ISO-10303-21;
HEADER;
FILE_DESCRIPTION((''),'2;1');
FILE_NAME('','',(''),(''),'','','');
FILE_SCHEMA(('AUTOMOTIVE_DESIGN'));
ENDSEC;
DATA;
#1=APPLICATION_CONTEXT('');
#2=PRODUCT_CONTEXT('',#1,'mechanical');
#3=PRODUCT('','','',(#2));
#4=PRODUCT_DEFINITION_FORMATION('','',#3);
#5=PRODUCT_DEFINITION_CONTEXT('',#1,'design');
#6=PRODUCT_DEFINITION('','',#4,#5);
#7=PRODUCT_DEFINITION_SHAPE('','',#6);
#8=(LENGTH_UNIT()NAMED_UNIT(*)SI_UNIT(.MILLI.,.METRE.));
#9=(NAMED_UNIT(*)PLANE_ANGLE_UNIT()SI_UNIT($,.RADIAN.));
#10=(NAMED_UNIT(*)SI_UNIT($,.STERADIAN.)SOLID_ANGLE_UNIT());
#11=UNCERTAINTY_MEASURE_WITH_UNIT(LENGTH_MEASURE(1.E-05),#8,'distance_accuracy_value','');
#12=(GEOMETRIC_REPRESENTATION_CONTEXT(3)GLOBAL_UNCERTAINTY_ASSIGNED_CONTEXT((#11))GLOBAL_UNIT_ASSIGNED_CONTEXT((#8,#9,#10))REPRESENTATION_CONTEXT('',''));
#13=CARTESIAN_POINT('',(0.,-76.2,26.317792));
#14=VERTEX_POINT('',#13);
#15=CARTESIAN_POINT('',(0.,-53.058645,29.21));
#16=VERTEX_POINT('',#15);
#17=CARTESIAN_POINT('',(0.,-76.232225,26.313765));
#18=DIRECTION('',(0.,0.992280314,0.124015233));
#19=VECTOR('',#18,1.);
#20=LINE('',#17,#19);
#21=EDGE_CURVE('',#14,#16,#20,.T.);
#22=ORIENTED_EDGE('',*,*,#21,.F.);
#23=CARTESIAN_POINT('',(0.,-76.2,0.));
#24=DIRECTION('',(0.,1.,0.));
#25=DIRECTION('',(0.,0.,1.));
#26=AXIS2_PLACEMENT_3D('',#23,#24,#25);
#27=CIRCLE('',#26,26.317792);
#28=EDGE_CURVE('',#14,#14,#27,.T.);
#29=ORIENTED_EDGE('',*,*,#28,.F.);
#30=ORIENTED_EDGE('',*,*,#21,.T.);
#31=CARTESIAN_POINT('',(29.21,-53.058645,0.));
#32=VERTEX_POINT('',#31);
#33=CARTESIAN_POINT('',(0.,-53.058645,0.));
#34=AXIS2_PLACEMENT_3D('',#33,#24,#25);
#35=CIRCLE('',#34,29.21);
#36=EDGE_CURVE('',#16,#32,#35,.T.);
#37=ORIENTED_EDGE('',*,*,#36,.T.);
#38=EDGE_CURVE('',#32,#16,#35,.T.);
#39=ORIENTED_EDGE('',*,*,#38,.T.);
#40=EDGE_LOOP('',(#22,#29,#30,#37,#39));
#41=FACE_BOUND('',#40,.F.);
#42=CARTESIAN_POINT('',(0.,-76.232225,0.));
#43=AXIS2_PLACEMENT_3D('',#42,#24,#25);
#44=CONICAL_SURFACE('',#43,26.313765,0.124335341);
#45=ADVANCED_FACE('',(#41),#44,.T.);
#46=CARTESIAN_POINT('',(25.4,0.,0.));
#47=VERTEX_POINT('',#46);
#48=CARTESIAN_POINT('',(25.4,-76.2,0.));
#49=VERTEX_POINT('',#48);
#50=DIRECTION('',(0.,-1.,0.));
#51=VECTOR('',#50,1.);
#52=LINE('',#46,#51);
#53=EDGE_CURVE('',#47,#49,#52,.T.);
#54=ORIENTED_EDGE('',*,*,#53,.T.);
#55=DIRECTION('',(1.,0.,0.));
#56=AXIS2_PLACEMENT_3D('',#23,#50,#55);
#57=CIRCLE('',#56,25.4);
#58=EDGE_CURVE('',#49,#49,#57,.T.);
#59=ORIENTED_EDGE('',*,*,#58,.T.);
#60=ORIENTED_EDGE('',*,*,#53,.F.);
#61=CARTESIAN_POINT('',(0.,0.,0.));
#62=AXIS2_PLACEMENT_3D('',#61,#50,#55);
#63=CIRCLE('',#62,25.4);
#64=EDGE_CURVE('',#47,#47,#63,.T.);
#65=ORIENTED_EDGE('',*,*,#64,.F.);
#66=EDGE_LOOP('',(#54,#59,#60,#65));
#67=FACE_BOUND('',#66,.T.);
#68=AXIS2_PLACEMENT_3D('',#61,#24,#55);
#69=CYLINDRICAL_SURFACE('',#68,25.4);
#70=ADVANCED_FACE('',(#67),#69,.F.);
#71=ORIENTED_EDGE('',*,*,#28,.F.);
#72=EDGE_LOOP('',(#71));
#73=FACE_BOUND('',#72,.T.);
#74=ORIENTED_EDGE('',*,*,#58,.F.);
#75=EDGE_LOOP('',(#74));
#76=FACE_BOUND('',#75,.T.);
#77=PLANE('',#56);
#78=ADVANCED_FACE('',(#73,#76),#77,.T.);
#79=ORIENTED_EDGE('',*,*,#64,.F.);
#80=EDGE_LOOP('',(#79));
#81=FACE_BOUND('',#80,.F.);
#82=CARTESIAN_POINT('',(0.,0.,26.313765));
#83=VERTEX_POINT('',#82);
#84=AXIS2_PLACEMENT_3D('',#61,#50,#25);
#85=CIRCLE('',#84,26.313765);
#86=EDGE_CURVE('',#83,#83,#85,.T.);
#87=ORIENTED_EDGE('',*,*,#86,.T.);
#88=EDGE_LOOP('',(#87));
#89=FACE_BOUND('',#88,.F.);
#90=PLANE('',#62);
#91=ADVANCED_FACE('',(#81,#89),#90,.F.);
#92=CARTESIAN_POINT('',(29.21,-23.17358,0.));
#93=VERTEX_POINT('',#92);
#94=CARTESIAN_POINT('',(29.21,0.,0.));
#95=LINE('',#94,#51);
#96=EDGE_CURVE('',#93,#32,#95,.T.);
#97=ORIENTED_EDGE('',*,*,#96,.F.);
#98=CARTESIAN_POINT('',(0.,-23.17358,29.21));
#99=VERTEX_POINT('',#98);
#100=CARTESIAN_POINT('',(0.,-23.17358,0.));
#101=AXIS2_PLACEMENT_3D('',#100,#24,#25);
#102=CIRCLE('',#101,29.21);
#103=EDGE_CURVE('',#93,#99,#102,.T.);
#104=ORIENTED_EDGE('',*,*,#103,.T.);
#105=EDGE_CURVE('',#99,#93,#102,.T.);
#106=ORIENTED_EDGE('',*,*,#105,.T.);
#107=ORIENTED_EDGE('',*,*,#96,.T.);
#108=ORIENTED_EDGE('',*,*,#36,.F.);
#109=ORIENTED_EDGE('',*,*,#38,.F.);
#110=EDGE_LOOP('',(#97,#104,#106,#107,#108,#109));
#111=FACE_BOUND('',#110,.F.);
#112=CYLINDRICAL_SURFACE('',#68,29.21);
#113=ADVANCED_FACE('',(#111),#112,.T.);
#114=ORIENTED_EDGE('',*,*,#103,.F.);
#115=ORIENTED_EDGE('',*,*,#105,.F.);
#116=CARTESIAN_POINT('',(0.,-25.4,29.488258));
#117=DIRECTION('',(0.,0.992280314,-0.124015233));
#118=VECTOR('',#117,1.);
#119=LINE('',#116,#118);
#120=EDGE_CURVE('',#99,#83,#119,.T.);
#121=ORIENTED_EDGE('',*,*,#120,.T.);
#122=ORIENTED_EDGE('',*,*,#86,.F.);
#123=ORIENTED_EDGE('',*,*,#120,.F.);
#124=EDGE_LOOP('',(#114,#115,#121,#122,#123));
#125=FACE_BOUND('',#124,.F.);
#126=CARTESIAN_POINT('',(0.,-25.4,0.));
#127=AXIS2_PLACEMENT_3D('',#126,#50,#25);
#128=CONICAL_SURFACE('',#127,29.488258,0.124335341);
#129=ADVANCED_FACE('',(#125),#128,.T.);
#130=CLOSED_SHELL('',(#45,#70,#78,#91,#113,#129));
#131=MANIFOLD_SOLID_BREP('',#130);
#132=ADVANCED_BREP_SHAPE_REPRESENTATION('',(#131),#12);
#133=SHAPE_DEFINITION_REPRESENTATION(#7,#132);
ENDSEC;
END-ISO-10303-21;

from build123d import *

# Parameters (mm, degrees)
F0_R     = 29.21
F0_R_2   = 25.4
F1_DEPTH = 76.2


with BuildPart() as f1:
    # F0 (on Front) → F1 (new body)
    with BuildSketch(Plane.XZ):
        Circle(F0_R)
        Circle(F0_R_2, mode=Mode.SUBTRACT)
    extrude(amount=F1_DEPTH)

    # F2 (on Right) → F3 (revolve, cut)
    with BuildSketch(Plane.YZ):
        Polygon((0, 26.313765), (0, 29.488258), (-25.4, 29.488258), align=None)
        Polygon((-50.832225, 29.488258), (-76.232225, 29.488258), (-76.232225, 26.313765), align=None)
    revolve(axis=Axis((0, -38.552362, 0), (0, -1, 0)), mode=Mode.SUBTRACT)


solid = f1.part
